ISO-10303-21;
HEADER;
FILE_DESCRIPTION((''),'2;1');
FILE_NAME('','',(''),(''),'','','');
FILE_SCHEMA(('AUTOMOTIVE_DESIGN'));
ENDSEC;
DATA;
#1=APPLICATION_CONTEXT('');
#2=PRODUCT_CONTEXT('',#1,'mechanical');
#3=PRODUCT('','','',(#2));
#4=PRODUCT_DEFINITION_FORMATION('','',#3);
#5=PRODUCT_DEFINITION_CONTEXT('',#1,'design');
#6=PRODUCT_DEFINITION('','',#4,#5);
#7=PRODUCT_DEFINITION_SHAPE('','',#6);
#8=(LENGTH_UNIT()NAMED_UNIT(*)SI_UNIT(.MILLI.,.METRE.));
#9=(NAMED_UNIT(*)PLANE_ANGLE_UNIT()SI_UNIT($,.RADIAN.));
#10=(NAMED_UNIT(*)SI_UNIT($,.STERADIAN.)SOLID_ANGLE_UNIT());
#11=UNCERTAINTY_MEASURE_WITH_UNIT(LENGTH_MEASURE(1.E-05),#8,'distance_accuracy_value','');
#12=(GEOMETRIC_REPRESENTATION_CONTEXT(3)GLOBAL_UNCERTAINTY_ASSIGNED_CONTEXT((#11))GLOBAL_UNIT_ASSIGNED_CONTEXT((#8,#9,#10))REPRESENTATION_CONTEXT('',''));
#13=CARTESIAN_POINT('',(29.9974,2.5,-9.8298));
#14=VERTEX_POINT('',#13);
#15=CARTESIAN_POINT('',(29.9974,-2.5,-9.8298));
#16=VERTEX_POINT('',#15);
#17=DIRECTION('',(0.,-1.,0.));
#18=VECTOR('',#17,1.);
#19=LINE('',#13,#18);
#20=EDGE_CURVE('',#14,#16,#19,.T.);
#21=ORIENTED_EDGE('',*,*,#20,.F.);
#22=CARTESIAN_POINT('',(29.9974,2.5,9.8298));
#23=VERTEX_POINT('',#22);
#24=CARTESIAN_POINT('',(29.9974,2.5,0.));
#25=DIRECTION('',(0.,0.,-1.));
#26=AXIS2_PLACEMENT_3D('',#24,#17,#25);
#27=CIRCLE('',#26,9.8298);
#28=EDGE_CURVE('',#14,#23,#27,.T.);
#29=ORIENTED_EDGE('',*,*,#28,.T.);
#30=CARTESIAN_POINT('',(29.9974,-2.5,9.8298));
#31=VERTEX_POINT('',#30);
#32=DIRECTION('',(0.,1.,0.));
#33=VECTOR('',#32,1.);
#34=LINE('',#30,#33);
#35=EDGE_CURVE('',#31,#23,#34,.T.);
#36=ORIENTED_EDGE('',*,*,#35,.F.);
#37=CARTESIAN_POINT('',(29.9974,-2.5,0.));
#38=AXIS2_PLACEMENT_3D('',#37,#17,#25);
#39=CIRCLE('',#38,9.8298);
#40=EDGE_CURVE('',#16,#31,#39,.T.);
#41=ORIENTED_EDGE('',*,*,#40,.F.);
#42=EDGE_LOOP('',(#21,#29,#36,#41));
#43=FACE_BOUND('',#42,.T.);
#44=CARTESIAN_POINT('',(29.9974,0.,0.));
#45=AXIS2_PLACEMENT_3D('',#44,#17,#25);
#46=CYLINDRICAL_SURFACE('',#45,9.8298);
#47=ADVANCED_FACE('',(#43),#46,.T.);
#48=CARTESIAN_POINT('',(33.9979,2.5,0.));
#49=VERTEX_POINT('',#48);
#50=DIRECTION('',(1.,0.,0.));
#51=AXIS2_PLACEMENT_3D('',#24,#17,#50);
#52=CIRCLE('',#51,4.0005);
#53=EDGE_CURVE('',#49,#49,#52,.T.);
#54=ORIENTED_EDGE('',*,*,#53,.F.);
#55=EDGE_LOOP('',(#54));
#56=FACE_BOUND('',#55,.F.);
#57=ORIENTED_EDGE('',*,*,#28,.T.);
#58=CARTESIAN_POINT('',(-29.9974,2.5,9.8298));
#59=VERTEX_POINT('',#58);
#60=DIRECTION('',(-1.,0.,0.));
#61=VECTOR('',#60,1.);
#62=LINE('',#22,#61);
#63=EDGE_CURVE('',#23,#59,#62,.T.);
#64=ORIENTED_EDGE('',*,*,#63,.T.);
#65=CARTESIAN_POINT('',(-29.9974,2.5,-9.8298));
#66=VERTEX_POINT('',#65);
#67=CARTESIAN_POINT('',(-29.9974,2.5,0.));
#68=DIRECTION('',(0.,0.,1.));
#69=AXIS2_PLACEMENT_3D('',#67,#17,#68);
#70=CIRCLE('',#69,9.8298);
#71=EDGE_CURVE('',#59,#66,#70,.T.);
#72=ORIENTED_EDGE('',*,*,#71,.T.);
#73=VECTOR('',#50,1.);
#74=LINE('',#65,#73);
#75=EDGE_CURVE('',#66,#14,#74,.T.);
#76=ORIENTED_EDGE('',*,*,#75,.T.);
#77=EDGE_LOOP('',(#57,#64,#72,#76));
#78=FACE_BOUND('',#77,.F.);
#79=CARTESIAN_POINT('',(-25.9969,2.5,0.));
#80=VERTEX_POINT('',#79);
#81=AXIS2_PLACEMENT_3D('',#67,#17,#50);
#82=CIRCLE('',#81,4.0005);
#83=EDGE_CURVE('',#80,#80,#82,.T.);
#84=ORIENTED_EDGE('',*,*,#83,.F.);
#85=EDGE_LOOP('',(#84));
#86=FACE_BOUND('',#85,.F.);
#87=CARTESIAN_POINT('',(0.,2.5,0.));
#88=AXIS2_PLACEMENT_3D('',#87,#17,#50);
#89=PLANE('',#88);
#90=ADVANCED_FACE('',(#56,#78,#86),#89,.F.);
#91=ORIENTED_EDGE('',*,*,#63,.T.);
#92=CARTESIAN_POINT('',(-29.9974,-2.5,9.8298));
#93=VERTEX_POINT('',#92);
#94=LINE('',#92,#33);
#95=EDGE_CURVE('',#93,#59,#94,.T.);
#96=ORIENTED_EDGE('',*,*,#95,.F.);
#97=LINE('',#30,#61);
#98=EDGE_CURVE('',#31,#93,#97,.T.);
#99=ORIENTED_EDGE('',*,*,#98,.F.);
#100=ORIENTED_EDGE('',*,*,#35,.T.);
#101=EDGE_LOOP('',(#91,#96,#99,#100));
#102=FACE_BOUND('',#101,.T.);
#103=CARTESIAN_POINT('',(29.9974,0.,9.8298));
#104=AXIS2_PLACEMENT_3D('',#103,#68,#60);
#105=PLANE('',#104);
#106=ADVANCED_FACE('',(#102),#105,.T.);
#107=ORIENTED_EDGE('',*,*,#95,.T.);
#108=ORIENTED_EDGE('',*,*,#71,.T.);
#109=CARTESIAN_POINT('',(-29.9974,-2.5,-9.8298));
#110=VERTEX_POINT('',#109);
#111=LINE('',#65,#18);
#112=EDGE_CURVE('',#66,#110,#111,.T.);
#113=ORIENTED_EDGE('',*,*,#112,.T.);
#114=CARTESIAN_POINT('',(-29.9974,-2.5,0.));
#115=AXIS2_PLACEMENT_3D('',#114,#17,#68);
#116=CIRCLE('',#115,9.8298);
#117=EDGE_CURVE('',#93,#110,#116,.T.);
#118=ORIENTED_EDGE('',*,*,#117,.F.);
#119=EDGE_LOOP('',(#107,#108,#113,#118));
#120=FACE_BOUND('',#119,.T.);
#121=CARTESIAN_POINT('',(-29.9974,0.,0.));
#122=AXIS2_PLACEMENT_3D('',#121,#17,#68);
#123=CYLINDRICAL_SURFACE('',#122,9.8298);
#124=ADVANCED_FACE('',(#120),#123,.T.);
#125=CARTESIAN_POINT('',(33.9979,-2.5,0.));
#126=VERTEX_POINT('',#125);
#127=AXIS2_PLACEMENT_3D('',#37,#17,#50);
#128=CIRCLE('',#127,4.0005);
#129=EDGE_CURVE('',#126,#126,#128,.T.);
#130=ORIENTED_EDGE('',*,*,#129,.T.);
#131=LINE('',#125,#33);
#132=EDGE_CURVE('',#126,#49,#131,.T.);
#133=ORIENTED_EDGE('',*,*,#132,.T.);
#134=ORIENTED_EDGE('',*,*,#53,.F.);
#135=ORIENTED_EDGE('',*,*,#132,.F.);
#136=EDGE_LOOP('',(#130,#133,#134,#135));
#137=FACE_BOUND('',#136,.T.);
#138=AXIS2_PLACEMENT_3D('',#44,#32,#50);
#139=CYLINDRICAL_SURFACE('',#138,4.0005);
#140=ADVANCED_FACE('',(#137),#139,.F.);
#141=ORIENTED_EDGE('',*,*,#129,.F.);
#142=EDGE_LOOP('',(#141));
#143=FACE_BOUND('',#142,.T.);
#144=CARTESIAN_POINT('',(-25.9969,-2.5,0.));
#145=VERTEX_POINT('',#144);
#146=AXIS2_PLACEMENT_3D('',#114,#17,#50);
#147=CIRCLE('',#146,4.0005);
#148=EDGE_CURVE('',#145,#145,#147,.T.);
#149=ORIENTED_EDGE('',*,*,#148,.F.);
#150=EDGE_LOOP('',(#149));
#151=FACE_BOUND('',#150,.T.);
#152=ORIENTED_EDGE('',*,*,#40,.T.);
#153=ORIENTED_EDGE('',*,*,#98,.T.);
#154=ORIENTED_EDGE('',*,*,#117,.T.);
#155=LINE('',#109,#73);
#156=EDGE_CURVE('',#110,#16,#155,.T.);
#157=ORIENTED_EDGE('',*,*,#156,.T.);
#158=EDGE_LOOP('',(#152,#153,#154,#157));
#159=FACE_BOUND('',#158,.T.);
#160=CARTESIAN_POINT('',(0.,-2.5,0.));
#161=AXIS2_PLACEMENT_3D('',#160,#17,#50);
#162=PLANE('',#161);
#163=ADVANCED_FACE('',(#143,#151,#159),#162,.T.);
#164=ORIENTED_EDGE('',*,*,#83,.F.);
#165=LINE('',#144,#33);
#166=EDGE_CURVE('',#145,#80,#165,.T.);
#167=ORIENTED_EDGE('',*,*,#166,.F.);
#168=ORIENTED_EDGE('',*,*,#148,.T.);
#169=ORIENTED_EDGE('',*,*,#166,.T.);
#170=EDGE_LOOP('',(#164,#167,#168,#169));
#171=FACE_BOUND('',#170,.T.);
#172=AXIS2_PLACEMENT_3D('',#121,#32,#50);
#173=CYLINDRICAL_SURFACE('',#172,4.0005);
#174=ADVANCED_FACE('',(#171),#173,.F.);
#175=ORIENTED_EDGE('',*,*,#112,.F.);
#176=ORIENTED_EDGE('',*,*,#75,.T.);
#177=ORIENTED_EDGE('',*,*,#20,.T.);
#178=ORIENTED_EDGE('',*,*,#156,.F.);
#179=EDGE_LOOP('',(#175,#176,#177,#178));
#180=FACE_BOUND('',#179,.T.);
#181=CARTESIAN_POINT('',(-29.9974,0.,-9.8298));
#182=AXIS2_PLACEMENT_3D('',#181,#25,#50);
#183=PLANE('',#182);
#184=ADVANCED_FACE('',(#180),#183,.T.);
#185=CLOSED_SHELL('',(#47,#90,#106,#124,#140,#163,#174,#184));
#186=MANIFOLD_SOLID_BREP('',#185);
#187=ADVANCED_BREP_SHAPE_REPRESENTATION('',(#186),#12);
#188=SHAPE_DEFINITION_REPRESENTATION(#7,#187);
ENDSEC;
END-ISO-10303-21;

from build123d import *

# Parameters (mm, degrees)
F0_R     = 4.0005
F1_DEPTH = 2.5


with BuildPart() as f1:
    # F0 (on Front) → F1 (new body, symmetric)
    with BuildSketch(Plane.XZ):
        with BuildLine():
            Line((0, 9.8298), (-29.9974, 9.8298))
            ThreePointArc((-29.9974, 9.8298), (-39.8272, 0), (-29.9974, -9.8298))
            Line((-29.9974, -9.8298), (0, -9.8298))
            Line((0, -9.8298), (29.9974, -9.8298))
            ThreePointArc((29.9974, -9.8298), (39.8272, 0), (29.9974, 9.8298))
            Line((29.9974, 9.8298), (0, 9.8298))
        make_face()
        with Locations((-29.9974, 0)):
            Circle(F0_R, mode=Mode.SUBTRACT)
        with Locations((29.9974, 0)):
            Circle(F0_R, mode=Mode.SUBTRACT)
    extrude(amount=F1_DEPTH, both=True)


solid = f1.part
